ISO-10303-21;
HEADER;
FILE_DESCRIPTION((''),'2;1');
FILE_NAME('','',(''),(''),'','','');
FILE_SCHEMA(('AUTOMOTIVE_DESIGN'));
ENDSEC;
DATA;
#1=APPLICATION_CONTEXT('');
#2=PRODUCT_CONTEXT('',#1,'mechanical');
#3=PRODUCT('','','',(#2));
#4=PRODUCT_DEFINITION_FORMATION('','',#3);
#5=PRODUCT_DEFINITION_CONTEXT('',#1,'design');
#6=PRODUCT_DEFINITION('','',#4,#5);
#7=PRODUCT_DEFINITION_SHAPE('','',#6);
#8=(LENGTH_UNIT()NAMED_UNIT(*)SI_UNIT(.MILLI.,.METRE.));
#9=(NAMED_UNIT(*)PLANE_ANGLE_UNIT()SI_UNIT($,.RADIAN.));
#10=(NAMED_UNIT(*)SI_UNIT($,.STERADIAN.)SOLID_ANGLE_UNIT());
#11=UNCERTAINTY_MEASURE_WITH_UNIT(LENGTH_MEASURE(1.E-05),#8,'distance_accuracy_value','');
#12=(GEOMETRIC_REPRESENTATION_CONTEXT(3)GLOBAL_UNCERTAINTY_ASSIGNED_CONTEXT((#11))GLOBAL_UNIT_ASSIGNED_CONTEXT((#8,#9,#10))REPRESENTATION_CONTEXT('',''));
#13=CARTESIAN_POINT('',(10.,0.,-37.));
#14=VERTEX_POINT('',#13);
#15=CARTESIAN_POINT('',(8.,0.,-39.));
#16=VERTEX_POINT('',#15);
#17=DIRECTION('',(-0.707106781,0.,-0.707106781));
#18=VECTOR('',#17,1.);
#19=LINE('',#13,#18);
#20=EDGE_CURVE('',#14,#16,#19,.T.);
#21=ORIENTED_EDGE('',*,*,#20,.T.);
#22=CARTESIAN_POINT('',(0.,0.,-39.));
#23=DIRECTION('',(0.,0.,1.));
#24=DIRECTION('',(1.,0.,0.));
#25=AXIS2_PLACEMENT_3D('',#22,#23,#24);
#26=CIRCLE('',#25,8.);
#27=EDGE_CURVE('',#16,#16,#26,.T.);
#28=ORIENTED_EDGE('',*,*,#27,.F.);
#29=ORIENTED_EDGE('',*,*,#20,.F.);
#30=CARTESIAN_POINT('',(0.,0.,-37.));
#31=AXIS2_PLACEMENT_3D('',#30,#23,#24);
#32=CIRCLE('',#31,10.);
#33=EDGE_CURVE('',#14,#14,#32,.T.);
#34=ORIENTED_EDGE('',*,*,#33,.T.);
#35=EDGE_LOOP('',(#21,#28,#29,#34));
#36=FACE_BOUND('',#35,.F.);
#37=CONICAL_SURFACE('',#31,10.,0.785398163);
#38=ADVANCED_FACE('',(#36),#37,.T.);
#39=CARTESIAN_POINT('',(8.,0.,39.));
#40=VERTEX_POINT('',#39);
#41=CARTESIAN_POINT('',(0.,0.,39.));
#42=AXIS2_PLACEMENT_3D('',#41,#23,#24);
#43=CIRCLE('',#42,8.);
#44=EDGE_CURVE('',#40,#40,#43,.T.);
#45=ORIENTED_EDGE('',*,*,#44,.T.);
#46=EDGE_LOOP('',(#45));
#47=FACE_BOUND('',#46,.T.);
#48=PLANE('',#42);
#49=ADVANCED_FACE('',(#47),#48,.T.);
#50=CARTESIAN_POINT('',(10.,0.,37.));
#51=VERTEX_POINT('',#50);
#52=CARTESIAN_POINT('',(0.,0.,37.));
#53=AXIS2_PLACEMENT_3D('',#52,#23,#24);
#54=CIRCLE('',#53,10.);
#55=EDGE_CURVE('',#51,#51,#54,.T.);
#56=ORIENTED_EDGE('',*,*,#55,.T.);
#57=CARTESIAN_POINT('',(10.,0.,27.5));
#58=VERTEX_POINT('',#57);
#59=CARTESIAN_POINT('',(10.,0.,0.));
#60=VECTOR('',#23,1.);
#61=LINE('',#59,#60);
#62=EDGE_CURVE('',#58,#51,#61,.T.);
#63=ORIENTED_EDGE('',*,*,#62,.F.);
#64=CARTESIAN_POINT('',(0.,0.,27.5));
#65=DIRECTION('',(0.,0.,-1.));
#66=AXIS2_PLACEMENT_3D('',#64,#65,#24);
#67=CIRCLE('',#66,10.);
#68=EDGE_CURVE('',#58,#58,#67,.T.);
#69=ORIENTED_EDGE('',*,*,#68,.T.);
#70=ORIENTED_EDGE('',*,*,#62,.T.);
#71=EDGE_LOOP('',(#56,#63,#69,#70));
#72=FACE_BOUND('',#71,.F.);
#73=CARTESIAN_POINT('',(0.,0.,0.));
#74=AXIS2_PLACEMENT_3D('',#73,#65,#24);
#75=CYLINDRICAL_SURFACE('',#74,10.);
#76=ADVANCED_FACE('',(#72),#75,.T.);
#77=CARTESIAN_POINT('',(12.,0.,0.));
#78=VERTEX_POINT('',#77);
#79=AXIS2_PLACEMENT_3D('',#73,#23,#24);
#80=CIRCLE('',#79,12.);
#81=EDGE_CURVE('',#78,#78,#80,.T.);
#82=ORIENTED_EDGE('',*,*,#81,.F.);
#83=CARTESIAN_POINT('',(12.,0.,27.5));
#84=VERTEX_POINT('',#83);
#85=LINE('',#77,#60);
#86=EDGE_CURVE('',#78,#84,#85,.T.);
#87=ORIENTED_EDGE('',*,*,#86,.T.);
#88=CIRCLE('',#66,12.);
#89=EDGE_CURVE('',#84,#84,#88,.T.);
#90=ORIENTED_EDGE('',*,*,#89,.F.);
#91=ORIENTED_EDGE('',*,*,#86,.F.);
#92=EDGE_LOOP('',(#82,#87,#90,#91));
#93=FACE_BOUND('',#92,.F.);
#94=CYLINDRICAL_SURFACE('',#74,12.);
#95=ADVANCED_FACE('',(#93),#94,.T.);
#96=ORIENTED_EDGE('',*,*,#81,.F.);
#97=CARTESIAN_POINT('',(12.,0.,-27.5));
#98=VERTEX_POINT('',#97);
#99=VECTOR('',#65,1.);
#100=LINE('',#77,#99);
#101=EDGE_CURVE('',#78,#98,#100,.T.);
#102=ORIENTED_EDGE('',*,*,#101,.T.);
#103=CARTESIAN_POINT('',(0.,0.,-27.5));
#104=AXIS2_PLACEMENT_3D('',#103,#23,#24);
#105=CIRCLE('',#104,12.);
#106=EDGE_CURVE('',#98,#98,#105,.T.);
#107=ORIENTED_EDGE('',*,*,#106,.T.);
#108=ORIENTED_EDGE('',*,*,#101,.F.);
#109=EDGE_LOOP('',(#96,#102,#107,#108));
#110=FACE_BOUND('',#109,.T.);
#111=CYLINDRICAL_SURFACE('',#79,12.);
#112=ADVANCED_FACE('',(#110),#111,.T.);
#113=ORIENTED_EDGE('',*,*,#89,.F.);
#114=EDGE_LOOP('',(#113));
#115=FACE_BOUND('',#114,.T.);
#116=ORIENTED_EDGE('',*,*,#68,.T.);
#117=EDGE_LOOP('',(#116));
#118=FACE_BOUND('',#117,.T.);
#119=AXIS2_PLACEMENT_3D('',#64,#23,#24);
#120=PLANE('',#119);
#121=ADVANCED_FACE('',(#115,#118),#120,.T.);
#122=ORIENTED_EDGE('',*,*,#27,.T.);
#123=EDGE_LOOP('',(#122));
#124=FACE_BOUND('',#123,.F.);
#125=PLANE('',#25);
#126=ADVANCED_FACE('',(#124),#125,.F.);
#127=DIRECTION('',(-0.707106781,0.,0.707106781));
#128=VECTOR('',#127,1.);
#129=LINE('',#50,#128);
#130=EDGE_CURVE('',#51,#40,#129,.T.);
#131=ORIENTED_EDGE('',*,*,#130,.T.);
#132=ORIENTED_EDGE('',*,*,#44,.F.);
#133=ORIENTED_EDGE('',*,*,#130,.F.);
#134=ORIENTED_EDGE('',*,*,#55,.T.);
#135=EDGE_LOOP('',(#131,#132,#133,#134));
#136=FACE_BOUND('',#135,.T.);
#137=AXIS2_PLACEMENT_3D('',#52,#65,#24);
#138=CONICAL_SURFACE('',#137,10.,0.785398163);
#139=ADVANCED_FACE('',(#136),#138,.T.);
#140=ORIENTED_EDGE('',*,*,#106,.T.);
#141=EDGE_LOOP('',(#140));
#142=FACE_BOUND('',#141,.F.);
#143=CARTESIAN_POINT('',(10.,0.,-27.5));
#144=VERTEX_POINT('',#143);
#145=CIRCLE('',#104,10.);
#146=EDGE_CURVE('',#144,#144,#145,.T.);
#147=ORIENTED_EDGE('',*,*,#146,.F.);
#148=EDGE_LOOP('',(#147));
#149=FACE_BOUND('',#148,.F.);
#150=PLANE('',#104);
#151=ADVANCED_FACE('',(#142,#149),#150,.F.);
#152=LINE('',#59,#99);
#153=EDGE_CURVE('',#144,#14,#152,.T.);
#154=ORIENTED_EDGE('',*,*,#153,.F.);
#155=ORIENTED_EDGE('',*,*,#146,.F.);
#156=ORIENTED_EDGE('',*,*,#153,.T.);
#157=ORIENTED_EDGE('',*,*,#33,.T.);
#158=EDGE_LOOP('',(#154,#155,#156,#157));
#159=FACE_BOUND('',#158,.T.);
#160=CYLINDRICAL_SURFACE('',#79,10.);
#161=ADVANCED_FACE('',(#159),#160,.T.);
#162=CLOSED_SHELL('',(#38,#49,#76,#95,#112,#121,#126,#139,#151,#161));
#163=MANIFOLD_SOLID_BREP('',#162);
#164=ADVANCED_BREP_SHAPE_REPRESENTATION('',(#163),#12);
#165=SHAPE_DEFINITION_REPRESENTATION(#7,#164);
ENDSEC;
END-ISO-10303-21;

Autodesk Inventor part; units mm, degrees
ref_plane "YZ Plane" through (0, 0, 0) normal (1, 0, 0) x (0, 1, 0)
ref_plane "XZ Plane" through (0, 0, 0) normal (0, 1, 0) x (-1, 0, 0)
ref_plane "XY Plane" through (0, 0, 0) normal (0, 0, 1) x (1, 0, 0)
sketch "Sketch1" plane through (0, 0, 0) normal (0, 0, 1) x (1, 0, 0)
  line L0 (0, 19.2) -> (0, -14.4) projected
  line L1 (-14.4, 0) -> (19.2, 0) projected
  circle A0 centre (0, 0) radius 12
  dimension "d0" = 24
extrude "Extrusion1" add sketch "Sketch1" along normal mid plane 55
sketch "Sketch2" plane through (0, 0, 0) normal (0, 0, 1) x (1, 0, 0)
  circle A0 centre (0, 0) radius 12 projected
  circle A1 centre (0, 0) radius 12 projected
  circle A2 centre (0, 0) radius 10
  dimension "d3" = 20
extrude "Extrusion2" add sketch "Sketch2" along normal mid plane 78 contours A2
chamfer "Chamfer1" distance 2 angle 45 2 edges at (-10, 0, 39) (-10, 0, -39)
properties part number "Axle" material "Galvanized Steel"
